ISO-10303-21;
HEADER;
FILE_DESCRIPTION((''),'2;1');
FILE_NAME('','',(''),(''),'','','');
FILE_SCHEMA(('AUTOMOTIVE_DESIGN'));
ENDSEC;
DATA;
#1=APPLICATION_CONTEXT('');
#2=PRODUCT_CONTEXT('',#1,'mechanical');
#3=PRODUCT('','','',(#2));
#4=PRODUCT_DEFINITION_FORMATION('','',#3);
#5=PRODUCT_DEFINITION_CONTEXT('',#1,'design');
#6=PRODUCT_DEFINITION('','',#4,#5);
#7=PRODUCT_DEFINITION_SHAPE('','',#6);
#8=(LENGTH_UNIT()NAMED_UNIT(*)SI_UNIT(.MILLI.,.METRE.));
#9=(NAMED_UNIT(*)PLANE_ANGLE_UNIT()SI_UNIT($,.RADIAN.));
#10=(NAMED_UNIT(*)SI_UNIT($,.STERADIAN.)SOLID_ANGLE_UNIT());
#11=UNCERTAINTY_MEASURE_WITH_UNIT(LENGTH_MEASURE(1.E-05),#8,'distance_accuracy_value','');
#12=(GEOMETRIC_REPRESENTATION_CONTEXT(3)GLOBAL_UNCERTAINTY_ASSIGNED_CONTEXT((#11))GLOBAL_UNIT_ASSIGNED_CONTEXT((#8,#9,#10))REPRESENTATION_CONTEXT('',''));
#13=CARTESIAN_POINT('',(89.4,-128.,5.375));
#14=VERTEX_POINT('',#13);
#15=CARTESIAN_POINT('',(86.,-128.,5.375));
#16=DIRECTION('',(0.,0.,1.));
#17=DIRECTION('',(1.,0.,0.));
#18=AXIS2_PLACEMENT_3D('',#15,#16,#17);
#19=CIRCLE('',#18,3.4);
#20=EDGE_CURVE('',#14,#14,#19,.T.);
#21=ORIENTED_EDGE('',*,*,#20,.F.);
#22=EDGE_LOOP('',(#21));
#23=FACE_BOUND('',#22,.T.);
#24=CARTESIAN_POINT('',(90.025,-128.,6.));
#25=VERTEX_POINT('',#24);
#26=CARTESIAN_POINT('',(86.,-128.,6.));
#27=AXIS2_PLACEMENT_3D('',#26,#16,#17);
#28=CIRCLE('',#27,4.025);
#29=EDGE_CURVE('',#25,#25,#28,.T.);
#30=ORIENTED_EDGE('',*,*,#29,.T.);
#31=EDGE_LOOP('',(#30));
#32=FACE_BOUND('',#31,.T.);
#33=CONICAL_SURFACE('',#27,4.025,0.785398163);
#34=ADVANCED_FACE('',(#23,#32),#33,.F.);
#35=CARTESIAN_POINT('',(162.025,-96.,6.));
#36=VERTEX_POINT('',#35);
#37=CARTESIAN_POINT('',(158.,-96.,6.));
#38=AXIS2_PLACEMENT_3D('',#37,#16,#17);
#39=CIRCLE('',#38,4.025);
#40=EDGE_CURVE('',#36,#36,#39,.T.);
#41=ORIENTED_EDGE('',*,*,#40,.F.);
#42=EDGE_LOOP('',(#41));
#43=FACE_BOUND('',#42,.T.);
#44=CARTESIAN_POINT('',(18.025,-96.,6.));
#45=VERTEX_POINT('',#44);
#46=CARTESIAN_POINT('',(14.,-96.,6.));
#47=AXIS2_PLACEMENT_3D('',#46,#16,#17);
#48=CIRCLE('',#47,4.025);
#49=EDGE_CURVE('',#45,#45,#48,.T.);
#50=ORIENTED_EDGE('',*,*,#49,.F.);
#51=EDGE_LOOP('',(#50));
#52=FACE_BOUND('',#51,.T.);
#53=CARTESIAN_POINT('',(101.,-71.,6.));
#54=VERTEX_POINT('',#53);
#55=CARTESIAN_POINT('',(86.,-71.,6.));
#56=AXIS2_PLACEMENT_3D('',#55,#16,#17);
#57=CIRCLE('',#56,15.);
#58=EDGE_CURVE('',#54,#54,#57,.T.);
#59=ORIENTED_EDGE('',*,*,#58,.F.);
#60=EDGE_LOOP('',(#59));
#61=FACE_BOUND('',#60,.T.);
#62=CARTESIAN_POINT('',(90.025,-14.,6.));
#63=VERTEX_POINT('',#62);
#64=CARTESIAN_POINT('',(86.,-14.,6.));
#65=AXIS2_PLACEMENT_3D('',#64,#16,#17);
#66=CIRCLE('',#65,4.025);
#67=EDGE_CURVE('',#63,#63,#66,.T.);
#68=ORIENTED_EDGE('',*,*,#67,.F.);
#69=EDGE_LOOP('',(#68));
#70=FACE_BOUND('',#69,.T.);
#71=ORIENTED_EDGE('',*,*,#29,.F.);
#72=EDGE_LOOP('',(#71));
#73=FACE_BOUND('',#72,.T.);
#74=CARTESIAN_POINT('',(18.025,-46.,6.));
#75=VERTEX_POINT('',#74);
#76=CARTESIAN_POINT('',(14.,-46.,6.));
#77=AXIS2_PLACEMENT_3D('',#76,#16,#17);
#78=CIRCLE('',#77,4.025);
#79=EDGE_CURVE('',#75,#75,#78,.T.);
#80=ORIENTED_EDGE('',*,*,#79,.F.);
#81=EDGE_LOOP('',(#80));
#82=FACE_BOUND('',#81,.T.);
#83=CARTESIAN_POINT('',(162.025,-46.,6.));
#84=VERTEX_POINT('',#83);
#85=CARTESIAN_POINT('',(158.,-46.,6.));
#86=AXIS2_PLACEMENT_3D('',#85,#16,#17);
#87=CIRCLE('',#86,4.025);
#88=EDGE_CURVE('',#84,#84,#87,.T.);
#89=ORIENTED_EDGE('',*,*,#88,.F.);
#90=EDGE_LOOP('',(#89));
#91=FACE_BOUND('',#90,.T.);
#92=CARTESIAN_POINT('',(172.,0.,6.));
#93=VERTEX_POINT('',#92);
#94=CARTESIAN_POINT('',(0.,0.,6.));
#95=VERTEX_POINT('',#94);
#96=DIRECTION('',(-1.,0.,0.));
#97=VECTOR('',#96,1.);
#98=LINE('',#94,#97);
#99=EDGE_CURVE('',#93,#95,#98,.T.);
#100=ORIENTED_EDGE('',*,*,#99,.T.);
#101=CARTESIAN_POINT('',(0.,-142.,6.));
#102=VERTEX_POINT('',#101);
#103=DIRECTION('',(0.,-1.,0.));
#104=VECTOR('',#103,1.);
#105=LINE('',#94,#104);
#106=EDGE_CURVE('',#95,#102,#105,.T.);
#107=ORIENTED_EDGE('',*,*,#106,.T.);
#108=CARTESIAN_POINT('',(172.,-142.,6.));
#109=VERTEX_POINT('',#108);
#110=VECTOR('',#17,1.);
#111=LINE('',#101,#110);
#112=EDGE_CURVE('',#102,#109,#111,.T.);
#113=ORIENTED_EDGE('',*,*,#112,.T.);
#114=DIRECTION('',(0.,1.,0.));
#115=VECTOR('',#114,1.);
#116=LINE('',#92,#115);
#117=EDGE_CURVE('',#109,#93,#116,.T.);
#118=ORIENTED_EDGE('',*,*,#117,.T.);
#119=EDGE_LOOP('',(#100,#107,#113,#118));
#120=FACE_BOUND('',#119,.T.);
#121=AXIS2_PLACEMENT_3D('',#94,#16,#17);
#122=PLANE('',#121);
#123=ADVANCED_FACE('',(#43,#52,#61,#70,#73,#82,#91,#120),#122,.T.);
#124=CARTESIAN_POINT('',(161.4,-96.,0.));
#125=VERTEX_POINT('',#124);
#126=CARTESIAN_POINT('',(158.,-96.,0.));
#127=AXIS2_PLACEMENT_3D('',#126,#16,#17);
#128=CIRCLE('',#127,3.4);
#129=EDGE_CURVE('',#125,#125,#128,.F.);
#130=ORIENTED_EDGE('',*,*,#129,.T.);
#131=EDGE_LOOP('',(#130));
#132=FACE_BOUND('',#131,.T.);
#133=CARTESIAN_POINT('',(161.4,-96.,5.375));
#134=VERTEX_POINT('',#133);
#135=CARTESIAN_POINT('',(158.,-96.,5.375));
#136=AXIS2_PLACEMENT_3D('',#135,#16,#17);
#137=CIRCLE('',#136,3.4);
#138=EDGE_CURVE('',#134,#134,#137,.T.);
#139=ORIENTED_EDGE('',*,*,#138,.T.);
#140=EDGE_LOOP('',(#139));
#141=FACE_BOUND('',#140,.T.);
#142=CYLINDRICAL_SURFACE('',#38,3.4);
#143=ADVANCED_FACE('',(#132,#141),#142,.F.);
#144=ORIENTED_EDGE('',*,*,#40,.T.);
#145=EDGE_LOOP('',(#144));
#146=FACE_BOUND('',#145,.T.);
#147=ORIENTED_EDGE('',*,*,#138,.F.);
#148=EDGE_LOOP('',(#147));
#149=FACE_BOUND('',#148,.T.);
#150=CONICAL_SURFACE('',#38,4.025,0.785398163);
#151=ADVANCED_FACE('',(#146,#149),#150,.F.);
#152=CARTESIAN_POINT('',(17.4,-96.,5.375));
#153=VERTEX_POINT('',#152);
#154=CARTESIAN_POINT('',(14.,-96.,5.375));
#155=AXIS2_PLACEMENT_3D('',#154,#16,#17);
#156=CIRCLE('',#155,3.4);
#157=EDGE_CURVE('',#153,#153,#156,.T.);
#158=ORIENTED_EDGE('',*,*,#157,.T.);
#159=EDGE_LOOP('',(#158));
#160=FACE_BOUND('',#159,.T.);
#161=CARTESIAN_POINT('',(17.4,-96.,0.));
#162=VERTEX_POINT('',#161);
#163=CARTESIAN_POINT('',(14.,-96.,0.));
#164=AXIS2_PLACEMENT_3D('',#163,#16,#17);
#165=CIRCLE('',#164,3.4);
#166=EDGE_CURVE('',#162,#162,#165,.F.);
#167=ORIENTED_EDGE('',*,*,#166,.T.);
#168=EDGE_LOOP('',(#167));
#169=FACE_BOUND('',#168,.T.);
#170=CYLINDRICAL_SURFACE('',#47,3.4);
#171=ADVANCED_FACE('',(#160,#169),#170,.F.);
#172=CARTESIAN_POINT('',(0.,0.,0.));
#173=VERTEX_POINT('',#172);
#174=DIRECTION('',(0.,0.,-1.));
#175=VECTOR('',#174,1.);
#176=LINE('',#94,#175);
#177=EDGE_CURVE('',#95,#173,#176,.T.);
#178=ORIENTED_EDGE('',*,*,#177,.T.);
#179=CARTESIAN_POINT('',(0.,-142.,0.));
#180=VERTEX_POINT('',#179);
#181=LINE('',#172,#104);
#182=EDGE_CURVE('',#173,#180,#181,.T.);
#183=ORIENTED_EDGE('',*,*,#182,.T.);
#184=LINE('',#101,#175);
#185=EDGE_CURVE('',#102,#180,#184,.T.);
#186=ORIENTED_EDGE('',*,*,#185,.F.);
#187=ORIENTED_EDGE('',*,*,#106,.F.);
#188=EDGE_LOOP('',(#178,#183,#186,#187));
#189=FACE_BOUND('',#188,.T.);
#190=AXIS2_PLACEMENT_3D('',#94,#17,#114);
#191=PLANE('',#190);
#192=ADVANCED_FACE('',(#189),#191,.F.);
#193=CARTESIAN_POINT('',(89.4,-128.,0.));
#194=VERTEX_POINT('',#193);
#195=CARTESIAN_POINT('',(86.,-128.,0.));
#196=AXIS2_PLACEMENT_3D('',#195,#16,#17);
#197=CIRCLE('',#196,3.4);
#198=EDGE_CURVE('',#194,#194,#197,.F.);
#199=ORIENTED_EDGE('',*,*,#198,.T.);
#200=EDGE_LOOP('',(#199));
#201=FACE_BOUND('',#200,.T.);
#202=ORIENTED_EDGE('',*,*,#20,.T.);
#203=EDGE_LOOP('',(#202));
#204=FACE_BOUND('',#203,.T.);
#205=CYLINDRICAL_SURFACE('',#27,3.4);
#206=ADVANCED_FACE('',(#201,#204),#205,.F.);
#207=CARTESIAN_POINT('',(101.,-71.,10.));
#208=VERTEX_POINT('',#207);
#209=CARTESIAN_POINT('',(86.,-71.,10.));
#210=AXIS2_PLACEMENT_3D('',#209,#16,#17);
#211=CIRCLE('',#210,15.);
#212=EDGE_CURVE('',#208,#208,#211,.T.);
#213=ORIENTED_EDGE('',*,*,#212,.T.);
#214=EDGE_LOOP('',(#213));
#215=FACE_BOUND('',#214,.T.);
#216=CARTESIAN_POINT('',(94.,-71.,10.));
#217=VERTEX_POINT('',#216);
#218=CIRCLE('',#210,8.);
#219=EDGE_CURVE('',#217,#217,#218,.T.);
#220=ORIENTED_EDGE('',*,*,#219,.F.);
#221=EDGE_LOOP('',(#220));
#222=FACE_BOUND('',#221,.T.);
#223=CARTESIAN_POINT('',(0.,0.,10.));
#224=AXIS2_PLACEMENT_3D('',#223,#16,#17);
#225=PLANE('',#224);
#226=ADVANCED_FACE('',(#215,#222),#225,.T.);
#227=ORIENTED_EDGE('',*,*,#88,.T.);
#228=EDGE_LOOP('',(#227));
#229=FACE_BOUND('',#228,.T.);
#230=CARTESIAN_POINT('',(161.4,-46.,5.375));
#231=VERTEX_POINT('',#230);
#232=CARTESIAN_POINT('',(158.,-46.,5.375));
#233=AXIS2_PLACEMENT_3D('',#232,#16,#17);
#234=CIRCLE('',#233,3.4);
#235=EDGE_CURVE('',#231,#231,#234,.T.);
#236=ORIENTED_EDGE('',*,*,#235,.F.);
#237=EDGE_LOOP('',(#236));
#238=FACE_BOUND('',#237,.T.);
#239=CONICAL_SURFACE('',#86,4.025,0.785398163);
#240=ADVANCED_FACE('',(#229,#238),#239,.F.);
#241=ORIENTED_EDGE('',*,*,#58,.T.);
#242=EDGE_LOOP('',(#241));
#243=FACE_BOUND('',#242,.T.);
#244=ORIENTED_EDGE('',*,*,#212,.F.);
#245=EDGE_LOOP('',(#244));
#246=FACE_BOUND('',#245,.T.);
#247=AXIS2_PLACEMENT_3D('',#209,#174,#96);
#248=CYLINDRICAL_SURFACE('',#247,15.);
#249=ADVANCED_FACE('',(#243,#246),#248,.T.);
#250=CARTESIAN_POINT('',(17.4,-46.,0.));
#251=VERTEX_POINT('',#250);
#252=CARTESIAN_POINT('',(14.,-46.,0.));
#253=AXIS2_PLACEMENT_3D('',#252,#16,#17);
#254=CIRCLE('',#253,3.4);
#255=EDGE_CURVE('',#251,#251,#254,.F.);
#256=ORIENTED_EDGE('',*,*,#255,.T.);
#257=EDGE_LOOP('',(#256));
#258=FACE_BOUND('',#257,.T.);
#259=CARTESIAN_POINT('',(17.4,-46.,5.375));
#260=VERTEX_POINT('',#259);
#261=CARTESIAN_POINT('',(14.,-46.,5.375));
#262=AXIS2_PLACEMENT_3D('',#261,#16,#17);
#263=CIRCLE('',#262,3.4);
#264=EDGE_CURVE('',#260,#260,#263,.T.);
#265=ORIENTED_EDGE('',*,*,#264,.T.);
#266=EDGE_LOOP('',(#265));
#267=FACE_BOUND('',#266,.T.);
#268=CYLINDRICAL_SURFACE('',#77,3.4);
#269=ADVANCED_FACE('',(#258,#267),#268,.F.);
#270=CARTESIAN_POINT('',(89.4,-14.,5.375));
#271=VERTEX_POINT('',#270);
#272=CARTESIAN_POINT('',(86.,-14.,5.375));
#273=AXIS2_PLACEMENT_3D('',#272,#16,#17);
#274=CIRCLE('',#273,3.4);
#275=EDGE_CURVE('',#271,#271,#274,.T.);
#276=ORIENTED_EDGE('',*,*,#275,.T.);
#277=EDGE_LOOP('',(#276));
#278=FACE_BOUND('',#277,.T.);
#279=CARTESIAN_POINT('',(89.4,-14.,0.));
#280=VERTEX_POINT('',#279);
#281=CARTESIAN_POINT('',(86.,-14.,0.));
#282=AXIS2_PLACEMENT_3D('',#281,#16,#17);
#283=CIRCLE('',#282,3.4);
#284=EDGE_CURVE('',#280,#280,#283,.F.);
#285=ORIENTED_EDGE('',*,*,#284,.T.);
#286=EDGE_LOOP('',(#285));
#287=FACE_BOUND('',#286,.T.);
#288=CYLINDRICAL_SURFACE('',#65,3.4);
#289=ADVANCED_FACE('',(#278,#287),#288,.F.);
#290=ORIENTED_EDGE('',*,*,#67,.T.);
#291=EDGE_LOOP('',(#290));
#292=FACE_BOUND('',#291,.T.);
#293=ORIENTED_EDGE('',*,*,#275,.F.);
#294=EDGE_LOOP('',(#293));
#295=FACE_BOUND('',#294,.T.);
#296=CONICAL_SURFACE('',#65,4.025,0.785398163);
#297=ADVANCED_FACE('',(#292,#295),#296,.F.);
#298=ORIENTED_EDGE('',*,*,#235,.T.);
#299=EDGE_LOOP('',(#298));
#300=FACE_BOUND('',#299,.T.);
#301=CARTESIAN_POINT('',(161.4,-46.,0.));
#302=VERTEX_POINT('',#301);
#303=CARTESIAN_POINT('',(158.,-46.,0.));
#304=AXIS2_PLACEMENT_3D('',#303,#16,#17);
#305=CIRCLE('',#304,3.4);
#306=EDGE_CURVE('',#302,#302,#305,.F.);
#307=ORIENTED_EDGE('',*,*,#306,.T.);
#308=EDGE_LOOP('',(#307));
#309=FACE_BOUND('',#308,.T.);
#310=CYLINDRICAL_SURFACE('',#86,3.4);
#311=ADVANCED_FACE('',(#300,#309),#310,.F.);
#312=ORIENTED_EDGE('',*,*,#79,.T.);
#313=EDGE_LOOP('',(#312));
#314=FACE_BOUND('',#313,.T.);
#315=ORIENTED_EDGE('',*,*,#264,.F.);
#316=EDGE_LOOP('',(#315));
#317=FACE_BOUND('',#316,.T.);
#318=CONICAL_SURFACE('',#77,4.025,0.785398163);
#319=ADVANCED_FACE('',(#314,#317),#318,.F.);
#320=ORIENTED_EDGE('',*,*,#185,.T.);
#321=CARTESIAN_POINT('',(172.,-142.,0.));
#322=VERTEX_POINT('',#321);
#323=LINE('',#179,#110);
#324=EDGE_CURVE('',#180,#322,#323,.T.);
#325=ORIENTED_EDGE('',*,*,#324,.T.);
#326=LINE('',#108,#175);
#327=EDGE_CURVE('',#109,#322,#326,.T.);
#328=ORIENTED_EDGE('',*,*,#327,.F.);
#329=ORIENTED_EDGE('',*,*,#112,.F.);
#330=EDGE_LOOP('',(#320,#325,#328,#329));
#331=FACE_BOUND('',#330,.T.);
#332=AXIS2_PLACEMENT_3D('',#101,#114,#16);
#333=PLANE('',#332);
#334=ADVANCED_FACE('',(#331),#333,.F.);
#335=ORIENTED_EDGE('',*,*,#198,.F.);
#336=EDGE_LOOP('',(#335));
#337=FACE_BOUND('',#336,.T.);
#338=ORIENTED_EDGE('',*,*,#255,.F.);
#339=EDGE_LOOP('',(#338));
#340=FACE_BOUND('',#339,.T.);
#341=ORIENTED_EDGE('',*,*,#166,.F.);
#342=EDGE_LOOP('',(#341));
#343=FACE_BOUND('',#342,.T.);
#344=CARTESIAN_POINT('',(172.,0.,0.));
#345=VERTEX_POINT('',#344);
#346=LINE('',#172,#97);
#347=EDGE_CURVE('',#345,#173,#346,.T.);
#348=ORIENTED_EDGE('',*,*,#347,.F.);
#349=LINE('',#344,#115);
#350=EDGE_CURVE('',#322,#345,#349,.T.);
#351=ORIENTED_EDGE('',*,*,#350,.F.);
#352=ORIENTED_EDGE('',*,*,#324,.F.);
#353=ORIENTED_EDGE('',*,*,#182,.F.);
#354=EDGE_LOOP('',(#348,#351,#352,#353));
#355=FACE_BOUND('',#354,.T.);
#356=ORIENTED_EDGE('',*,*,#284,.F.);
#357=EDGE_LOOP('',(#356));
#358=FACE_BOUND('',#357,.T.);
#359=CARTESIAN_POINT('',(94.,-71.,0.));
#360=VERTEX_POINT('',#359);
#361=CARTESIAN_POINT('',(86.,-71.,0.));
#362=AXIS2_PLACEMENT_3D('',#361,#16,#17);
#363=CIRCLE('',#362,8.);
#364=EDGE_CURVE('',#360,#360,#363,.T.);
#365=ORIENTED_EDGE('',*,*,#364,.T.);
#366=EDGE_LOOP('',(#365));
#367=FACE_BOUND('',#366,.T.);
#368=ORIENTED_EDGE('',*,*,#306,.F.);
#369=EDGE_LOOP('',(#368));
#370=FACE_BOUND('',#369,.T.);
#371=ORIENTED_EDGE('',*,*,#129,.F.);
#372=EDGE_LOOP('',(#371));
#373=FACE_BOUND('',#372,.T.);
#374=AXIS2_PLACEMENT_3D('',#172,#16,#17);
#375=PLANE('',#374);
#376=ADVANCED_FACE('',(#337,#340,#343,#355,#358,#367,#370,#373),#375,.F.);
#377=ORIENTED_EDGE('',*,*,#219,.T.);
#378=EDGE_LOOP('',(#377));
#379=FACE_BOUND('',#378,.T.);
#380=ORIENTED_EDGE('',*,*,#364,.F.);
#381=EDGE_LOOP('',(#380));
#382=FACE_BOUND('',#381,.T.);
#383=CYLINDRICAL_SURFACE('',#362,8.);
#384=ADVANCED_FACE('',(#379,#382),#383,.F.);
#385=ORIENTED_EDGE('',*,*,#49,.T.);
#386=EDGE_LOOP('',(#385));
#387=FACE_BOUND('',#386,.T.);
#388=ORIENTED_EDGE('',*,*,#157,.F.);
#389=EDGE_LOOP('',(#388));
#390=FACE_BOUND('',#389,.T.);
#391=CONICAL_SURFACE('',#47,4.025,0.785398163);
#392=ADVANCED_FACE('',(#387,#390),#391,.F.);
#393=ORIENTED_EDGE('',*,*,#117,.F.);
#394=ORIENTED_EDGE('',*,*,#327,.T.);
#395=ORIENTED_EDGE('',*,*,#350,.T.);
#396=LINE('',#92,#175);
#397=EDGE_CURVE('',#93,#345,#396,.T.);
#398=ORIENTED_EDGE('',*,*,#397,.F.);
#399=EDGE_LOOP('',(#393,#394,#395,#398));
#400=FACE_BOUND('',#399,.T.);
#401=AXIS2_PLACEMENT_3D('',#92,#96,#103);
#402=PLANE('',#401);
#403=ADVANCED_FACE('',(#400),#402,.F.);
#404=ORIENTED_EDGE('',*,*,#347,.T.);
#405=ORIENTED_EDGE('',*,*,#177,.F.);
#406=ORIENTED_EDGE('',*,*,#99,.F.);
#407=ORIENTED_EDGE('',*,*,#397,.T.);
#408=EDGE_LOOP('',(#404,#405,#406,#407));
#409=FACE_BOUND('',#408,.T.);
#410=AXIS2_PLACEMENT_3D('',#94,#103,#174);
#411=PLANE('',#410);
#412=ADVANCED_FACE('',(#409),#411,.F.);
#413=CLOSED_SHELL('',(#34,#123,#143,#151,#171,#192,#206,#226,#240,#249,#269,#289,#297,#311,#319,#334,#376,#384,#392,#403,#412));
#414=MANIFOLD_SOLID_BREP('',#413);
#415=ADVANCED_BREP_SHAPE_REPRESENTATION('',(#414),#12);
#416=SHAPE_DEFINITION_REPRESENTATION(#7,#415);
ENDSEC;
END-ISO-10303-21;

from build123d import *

# Parameters (mm, degrees)
SKETCH_1_W                   = 172
SKETCH_1_H                   = 142
EXTRUDE_1_DEPTH              = 6
HOLE_WIZARD_M8_1_D           = 6.8
HOLE_WIZARD_M8_1_DEPTH       = 6
HOLE_WIZARD_M8_1_CSINK_D     = 8.05
HOLE_WIZARD_M8_1_CSINK_ANGLE = 90
HOLE_WIZARD_M8_1_TIP         = 2.042926105
SKETCH_11_R                  = 15
EXTRUDE_3_DEPTH              = 4
SKETCH_12_R                  = 8
CUT_EXTRUDE_1_DEPTH          = 224.266656713


with BuildPart() as part:
    # 草图1 → 凸台-拉伸1 (new body)
    with BuildSketch(Plane.XY):
        with Locations((86, -71)):
            Rectangle(SKETCH_1_W, SKETCH_1_H)
    extrude(amount=EXTRUDE_1_DEPTH)

    # M8 螺纹孔1
    with Locations(Plane.XY.offset(6)):
        with Locations((14, -46), (14, -96), (86, -14), (86, -128), (158, -96), (158, -46)):
            CounterSinkHole(HOLE_WIZARD_M8_1_D / 2, HOLE_WIZARD_M8_1_CSINK_D / 2, depth=HOLE_WIZARD_M8_1_DEPTH, counter_sink_angle=HOLE_WIZARD_M8_1_CSINK_ANGLE)
            with Locations((0, 0, -(HOLE_WIZARD_M8_1_DEPTH + HOLE_WIZARD_M8_1_TIP / 2))):  # 118° drill point
                Cone(0, HOLE_WIZARD_M8_1_D / 2, HOLE_WIZARD_M8_1_TIP, mode=Mode.SUBTRACT)

    # 草图11 → 凸台-拉伸3 (add)
    with BuildSketch(Plane.XY.offset(6)):
        with Locations((86, -71)):
            Circle(SKETCH_11_R)
    extrude(amount=EXTRUDE_3_DEPTH)

    # 草图12 → 切除-拉伸1 (cut, through all)
    with BuildSketch(Plane.XY.offset(10)):
        with Locations((86, -71)):
            Circle(SKETCH_12_R)
    extrude(amount=-CUT_EXTRUDE_1_DEPTH, mode=Mode.SUBTRACT)


solid = part.part
